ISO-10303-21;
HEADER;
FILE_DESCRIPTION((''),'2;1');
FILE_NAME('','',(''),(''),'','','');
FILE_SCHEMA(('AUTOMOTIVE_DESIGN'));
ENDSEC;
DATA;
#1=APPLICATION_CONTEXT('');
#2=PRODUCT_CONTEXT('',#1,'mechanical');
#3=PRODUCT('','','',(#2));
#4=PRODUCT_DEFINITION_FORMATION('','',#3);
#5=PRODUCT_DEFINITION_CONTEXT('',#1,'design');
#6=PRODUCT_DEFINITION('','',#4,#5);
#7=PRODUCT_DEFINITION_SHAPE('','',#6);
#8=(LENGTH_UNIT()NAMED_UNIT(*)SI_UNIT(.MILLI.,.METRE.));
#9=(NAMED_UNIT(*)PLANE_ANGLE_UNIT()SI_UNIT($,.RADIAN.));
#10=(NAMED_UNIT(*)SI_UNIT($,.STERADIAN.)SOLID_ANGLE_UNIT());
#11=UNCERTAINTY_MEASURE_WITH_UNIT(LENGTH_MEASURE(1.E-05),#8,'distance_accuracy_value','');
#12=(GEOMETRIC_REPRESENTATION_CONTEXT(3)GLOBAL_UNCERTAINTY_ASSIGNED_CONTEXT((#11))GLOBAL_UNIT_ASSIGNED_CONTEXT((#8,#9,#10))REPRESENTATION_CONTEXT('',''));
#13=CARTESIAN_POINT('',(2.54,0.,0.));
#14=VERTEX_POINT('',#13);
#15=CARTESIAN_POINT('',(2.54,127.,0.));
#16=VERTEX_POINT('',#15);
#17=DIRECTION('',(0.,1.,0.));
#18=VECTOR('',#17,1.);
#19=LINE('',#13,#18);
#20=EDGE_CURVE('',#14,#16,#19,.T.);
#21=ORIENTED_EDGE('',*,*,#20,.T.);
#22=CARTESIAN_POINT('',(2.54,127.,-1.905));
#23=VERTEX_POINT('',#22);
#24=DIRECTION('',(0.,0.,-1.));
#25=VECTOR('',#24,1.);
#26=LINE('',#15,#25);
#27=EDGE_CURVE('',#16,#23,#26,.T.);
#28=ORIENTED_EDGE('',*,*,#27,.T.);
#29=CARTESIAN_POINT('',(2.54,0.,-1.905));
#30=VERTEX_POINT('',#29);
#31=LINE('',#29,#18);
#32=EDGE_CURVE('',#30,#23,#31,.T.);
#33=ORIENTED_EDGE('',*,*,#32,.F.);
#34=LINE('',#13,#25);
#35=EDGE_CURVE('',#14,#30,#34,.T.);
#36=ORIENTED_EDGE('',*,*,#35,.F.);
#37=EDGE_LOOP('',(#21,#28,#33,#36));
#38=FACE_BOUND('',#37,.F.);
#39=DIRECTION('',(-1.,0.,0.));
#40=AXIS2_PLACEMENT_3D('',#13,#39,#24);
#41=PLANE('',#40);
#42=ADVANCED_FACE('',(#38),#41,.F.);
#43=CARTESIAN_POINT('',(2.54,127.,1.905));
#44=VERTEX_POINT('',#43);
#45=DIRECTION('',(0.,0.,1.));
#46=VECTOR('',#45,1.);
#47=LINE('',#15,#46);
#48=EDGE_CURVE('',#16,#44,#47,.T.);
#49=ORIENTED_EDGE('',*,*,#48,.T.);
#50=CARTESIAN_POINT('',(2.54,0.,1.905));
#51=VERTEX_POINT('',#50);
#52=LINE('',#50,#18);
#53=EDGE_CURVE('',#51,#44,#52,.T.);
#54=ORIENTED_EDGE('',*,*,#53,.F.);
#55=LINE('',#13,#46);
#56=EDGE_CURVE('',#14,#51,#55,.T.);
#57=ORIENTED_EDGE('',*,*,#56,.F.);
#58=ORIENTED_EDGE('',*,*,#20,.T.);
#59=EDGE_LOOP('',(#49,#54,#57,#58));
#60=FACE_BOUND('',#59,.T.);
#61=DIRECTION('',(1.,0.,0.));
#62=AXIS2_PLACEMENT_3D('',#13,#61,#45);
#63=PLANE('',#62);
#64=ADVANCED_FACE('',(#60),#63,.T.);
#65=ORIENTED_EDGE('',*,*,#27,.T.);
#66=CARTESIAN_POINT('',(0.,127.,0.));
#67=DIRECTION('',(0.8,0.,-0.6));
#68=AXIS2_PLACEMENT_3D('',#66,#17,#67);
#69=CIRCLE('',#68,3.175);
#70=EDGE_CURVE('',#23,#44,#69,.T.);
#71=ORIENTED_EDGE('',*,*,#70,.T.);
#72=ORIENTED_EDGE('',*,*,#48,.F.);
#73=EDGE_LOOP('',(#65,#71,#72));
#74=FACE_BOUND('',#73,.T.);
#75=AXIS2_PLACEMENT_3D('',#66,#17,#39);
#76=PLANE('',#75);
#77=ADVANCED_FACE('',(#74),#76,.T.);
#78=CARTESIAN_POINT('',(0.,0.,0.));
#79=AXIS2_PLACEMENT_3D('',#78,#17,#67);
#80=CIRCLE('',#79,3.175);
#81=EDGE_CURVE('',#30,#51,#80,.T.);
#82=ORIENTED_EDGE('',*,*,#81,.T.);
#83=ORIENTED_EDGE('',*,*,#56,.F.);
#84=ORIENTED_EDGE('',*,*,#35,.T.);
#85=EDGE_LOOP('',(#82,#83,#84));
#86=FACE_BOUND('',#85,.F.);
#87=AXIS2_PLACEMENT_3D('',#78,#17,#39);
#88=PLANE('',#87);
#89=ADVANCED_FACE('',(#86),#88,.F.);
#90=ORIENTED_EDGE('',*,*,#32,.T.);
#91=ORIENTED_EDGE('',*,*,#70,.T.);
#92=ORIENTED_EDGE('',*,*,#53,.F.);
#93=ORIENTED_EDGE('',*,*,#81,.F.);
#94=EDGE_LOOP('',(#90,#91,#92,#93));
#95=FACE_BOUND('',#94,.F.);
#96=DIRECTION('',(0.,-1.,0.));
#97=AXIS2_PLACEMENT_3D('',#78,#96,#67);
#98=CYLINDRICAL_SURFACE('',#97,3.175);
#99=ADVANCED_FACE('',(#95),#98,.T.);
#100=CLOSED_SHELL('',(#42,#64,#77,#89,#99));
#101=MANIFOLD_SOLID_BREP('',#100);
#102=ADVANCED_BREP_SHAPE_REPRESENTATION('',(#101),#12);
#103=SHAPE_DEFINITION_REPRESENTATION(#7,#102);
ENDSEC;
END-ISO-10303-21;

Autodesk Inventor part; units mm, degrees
ref_plane "YZ Plane" through (0, 0, 0) normal (1, 0, 0) x (0, 1, 0)
ref_plane "XZ Plane" through (0, 0, 0) normal (0, 1, 0) x (-1, 0, 0)
ref_plane "XY Plane" through (0, 0, 0) normal (0, 0, 1) x (1, 0, 0)
sketch "Sketch1" plane through (0, 0, 0) normal (0, 1, 0) x (-1, 0, 0)
  arc A0 (-2.54, -1.905) -> (-2.54, 1.905) centre (0, 0) ccw
  line L0 (-2.54, 0) -> (-2.54, -1.905)
  line L1 (-2.54, 0) -> (-2.54, 1.905)
  dimension "d0" = 6.35
extrude "Extrusion1" add sketch "Sketch1" along normal blind 127
properties part number "634080"
